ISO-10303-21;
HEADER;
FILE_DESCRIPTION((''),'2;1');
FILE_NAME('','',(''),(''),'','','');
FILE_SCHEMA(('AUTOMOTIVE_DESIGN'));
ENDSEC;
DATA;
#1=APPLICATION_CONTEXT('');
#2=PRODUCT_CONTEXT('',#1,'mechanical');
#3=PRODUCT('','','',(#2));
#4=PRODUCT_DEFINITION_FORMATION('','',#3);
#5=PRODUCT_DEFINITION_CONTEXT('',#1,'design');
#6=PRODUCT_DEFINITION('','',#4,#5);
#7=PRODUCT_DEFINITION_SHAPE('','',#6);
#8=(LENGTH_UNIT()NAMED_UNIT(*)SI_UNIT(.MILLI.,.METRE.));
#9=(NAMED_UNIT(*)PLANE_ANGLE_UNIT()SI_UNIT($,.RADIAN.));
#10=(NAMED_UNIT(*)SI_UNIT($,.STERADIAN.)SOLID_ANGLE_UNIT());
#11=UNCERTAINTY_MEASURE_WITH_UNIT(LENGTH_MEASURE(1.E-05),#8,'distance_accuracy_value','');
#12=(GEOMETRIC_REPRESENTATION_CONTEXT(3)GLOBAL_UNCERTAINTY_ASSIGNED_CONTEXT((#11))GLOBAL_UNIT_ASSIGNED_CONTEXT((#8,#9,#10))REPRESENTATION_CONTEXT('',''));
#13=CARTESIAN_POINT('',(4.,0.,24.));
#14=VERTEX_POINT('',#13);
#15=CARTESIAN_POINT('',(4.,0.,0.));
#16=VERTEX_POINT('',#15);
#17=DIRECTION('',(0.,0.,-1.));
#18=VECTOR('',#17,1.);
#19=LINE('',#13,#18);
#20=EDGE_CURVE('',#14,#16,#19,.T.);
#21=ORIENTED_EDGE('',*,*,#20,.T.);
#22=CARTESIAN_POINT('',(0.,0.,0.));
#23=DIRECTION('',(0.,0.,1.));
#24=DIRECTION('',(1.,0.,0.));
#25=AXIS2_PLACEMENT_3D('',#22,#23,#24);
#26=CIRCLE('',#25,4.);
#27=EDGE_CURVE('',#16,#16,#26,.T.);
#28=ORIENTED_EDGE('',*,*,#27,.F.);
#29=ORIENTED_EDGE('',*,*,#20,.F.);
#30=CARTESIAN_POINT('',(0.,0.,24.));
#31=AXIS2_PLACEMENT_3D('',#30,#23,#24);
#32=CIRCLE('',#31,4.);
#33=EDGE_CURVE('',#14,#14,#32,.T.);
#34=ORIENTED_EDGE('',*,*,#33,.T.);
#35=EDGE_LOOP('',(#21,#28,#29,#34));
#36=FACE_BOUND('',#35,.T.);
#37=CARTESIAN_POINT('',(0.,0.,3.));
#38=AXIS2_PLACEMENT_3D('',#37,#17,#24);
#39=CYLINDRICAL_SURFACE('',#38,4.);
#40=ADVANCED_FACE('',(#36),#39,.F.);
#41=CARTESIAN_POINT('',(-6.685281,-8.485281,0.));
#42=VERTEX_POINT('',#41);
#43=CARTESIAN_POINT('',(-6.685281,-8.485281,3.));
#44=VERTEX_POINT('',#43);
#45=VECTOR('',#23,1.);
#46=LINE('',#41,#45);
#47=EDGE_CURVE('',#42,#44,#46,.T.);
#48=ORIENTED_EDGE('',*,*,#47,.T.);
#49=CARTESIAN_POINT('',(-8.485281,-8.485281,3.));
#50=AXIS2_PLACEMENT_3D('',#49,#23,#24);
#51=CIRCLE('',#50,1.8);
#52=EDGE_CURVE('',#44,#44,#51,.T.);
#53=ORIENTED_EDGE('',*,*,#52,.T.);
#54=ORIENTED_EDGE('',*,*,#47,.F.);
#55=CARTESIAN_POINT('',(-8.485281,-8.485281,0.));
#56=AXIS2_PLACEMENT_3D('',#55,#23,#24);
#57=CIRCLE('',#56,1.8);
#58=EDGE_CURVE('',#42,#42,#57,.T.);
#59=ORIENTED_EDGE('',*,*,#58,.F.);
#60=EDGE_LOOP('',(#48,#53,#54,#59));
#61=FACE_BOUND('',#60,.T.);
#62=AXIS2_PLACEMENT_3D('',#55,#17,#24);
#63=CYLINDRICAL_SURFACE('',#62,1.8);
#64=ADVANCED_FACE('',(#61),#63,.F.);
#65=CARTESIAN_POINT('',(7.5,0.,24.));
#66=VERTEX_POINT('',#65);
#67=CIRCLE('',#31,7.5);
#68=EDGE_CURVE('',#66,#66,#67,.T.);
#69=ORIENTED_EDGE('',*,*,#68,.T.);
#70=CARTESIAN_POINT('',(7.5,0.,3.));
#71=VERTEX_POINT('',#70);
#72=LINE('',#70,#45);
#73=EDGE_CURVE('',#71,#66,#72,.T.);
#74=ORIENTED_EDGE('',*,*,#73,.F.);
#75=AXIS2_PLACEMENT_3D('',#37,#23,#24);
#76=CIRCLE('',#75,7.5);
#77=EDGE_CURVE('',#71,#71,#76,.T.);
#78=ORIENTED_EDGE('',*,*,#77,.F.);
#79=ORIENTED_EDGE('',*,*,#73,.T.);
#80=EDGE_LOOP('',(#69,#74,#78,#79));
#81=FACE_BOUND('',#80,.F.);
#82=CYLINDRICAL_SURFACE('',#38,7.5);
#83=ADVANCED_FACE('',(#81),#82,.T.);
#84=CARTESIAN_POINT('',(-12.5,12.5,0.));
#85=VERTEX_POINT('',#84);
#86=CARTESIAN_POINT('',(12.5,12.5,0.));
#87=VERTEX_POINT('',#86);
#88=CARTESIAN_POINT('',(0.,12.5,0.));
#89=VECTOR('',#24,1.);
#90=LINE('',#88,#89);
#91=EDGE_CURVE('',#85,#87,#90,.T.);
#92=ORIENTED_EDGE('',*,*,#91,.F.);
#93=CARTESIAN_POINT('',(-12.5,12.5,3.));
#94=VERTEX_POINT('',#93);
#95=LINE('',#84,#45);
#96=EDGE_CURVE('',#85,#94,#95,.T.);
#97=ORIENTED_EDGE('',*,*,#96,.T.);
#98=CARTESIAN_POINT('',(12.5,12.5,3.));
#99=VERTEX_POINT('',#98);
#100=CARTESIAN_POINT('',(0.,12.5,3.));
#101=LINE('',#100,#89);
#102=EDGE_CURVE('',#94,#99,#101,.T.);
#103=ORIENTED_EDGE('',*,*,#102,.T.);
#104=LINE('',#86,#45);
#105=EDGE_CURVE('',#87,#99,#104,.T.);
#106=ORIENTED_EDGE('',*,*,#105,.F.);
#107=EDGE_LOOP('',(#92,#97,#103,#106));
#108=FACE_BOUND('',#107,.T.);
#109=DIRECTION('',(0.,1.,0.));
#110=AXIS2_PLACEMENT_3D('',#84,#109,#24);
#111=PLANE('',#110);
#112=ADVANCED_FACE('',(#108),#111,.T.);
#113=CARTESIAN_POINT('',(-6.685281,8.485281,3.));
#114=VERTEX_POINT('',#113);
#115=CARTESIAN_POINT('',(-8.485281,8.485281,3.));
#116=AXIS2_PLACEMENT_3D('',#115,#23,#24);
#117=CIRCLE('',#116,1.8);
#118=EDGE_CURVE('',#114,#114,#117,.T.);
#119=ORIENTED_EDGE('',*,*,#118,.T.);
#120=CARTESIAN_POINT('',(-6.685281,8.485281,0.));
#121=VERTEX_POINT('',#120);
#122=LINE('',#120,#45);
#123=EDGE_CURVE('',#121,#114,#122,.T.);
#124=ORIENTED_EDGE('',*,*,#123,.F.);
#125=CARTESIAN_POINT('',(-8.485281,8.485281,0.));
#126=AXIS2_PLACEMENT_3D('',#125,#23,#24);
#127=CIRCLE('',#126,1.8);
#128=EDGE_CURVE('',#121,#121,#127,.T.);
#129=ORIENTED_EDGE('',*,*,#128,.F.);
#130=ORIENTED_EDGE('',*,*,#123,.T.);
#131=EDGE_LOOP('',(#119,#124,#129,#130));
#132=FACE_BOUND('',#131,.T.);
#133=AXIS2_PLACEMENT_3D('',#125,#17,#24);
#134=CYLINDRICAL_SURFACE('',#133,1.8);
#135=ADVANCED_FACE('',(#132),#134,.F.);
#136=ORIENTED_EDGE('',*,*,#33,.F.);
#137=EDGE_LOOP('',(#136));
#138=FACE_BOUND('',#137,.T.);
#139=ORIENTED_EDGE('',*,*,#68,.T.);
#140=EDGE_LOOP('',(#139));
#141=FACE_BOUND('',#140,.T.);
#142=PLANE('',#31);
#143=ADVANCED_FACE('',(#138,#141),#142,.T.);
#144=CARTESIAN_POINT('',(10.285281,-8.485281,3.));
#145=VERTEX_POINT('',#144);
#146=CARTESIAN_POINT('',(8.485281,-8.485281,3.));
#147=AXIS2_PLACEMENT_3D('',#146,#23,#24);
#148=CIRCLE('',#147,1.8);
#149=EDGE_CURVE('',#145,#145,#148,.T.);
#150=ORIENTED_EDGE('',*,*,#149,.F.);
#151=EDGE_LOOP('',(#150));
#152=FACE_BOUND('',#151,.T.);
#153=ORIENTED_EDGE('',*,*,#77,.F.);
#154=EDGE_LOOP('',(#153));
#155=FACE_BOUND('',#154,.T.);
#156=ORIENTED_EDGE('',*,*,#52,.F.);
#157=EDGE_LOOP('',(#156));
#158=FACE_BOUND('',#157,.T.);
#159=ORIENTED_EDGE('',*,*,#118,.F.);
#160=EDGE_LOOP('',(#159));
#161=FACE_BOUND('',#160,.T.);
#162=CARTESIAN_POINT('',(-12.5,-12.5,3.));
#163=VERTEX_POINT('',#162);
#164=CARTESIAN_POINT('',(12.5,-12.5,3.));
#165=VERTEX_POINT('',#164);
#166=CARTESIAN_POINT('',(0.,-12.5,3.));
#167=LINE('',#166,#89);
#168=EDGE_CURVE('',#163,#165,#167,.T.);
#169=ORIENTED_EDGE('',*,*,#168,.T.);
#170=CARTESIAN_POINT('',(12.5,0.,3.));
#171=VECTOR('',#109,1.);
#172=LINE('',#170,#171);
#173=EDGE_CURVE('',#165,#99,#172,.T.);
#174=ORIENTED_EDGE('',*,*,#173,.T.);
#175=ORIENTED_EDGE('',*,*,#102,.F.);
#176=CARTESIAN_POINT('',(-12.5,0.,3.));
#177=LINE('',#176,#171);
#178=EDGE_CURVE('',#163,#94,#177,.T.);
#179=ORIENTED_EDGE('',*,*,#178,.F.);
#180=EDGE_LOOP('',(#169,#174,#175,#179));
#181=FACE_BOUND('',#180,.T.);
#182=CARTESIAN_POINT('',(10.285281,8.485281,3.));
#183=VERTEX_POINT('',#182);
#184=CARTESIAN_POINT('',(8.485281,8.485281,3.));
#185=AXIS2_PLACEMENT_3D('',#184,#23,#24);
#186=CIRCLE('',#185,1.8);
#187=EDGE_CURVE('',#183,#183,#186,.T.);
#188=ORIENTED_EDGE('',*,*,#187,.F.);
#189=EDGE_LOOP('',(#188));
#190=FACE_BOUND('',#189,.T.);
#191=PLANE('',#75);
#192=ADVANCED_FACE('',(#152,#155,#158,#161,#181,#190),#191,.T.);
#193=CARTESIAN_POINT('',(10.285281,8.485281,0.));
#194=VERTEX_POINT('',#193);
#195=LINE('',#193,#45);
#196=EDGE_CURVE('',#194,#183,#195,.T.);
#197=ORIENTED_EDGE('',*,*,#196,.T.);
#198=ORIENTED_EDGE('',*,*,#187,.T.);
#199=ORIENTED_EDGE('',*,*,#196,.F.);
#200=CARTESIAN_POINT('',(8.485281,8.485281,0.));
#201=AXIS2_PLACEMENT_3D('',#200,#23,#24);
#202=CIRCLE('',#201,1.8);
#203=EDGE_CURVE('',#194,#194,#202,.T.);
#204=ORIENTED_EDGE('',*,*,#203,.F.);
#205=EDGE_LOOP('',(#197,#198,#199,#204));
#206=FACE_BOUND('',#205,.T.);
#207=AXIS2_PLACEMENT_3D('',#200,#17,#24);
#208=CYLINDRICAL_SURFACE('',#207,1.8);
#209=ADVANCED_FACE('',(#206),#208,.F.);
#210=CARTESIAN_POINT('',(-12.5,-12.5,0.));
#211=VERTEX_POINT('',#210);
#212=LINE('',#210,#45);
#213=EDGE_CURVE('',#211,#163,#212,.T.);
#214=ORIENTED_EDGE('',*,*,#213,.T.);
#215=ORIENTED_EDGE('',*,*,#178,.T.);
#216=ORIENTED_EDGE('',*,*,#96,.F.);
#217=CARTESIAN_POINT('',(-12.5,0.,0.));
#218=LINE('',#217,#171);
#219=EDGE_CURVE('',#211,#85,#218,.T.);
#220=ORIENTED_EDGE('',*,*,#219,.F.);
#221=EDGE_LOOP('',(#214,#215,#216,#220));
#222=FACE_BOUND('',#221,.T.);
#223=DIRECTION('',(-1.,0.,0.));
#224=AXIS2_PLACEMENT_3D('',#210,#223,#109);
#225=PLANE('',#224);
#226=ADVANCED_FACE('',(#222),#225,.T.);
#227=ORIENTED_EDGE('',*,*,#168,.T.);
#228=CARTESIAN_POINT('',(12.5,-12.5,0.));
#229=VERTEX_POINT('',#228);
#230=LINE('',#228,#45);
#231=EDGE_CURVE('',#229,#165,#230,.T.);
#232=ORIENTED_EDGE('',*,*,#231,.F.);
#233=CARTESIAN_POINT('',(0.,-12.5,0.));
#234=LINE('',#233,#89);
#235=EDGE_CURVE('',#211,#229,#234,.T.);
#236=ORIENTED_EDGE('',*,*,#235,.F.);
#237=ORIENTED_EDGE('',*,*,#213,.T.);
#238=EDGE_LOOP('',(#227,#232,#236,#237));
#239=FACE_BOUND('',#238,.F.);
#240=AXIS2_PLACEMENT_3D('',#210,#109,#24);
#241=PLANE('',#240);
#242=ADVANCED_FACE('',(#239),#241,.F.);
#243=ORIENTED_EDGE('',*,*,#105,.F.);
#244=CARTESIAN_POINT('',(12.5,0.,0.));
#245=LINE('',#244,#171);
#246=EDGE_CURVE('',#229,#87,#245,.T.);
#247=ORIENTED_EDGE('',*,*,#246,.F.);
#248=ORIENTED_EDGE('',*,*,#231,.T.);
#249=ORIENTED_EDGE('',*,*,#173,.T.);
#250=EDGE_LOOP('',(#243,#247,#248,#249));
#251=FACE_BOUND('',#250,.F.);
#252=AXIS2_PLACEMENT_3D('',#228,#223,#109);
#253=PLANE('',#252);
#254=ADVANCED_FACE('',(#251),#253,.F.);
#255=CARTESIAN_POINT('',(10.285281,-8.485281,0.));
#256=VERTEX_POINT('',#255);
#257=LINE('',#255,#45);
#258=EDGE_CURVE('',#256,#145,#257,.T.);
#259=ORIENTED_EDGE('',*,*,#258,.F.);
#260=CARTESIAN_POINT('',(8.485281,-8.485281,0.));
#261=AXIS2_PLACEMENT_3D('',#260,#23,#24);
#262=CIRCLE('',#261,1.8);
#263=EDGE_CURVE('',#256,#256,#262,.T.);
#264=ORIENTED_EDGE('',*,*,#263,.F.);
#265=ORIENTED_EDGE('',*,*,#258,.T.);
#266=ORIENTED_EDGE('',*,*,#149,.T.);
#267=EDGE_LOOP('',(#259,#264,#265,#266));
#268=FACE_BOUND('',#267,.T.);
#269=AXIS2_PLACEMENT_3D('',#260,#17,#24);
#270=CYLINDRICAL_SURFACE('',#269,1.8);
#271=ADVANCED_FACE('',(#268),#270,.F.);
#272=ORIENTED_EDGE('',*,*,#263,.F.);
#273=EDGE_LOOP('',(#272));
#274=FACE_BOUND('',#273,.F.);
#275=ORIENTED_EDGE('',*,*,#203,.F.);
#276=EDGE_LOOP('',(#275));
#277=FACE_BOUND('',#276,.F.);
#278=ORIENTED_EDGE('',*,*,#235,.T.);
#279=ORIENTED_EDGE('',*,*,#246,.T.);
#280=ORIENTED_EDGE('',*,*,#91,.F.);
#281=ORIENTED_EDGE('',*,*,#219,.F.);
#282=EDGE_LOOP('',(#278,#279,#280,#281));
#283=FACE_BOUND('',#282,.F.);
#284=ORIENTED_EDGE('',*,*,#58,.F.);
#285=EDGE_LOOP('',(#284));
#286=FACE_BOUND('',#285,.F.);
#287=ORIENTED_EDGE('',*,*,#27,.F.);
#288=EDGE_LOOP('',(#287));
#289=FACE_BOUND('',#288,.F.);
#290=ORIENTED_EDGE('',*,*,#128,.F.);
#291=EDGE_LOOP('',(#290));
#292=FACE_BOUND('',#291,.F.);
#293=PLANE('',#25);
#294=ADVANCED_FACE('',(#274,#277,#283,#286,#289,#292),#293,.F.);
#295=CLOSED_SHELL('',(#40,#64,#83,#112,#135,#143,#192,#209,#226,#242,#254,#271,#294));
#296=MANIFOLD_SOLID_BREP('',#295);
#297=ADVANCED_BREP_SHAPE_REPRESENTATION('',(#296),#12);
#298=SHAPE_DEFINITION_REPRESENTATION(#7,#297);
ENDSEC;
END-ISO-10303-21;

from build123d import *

# Parameters (mm, degrees)
SKETCH_W      = 25
SKETCH_H      = 25
SKETCH_R      = 1.8
SKETCH_R_2    = 4
PAD_DEPTH     = 3
SKETCH001_R   = 7.5
SKETCH001_R_2 = 4
PAD001_DEPTH  = 21


with BuildPart() as part:
    # Sketch → Pad (new body)
    with BuildSketch(Plane.XY):
        Rectangle(SKETCH_W, SKETCH_H)
        with Locations((-8.485281, 8.485281)):
            Circle(SKETCH_R, mode=Mode.SUBTRACT)
        with Locations((8.485281, 8.485281)):
            Circle(SKETCH_R, mode=Mode.SUBTRACT)
        with Locations((-8.485281, -8.485281)):
            Circle(SKETCH_R, mode=Mode.SUBTRACT)
        with Locations((8.485281, -8.485281)):
            Circle(SKETCH_R, mode=Mode.SUBTRACT)
        Circle(SKETCH_R_2, mode=Mode.SUBTRACT)
    extrude(amount=PAD_DEPTH)

    # Sketch001 → Pad001 (new body)
    with BuildSketch(Plane.XY.offset(3)):
        Circle(SKETCH001_R)
        Circle(SKETCH001_R_2, mode=Mode.SUBTRACT)
    extrude(amount=PAD001_DEPTH)


solid = part.part
